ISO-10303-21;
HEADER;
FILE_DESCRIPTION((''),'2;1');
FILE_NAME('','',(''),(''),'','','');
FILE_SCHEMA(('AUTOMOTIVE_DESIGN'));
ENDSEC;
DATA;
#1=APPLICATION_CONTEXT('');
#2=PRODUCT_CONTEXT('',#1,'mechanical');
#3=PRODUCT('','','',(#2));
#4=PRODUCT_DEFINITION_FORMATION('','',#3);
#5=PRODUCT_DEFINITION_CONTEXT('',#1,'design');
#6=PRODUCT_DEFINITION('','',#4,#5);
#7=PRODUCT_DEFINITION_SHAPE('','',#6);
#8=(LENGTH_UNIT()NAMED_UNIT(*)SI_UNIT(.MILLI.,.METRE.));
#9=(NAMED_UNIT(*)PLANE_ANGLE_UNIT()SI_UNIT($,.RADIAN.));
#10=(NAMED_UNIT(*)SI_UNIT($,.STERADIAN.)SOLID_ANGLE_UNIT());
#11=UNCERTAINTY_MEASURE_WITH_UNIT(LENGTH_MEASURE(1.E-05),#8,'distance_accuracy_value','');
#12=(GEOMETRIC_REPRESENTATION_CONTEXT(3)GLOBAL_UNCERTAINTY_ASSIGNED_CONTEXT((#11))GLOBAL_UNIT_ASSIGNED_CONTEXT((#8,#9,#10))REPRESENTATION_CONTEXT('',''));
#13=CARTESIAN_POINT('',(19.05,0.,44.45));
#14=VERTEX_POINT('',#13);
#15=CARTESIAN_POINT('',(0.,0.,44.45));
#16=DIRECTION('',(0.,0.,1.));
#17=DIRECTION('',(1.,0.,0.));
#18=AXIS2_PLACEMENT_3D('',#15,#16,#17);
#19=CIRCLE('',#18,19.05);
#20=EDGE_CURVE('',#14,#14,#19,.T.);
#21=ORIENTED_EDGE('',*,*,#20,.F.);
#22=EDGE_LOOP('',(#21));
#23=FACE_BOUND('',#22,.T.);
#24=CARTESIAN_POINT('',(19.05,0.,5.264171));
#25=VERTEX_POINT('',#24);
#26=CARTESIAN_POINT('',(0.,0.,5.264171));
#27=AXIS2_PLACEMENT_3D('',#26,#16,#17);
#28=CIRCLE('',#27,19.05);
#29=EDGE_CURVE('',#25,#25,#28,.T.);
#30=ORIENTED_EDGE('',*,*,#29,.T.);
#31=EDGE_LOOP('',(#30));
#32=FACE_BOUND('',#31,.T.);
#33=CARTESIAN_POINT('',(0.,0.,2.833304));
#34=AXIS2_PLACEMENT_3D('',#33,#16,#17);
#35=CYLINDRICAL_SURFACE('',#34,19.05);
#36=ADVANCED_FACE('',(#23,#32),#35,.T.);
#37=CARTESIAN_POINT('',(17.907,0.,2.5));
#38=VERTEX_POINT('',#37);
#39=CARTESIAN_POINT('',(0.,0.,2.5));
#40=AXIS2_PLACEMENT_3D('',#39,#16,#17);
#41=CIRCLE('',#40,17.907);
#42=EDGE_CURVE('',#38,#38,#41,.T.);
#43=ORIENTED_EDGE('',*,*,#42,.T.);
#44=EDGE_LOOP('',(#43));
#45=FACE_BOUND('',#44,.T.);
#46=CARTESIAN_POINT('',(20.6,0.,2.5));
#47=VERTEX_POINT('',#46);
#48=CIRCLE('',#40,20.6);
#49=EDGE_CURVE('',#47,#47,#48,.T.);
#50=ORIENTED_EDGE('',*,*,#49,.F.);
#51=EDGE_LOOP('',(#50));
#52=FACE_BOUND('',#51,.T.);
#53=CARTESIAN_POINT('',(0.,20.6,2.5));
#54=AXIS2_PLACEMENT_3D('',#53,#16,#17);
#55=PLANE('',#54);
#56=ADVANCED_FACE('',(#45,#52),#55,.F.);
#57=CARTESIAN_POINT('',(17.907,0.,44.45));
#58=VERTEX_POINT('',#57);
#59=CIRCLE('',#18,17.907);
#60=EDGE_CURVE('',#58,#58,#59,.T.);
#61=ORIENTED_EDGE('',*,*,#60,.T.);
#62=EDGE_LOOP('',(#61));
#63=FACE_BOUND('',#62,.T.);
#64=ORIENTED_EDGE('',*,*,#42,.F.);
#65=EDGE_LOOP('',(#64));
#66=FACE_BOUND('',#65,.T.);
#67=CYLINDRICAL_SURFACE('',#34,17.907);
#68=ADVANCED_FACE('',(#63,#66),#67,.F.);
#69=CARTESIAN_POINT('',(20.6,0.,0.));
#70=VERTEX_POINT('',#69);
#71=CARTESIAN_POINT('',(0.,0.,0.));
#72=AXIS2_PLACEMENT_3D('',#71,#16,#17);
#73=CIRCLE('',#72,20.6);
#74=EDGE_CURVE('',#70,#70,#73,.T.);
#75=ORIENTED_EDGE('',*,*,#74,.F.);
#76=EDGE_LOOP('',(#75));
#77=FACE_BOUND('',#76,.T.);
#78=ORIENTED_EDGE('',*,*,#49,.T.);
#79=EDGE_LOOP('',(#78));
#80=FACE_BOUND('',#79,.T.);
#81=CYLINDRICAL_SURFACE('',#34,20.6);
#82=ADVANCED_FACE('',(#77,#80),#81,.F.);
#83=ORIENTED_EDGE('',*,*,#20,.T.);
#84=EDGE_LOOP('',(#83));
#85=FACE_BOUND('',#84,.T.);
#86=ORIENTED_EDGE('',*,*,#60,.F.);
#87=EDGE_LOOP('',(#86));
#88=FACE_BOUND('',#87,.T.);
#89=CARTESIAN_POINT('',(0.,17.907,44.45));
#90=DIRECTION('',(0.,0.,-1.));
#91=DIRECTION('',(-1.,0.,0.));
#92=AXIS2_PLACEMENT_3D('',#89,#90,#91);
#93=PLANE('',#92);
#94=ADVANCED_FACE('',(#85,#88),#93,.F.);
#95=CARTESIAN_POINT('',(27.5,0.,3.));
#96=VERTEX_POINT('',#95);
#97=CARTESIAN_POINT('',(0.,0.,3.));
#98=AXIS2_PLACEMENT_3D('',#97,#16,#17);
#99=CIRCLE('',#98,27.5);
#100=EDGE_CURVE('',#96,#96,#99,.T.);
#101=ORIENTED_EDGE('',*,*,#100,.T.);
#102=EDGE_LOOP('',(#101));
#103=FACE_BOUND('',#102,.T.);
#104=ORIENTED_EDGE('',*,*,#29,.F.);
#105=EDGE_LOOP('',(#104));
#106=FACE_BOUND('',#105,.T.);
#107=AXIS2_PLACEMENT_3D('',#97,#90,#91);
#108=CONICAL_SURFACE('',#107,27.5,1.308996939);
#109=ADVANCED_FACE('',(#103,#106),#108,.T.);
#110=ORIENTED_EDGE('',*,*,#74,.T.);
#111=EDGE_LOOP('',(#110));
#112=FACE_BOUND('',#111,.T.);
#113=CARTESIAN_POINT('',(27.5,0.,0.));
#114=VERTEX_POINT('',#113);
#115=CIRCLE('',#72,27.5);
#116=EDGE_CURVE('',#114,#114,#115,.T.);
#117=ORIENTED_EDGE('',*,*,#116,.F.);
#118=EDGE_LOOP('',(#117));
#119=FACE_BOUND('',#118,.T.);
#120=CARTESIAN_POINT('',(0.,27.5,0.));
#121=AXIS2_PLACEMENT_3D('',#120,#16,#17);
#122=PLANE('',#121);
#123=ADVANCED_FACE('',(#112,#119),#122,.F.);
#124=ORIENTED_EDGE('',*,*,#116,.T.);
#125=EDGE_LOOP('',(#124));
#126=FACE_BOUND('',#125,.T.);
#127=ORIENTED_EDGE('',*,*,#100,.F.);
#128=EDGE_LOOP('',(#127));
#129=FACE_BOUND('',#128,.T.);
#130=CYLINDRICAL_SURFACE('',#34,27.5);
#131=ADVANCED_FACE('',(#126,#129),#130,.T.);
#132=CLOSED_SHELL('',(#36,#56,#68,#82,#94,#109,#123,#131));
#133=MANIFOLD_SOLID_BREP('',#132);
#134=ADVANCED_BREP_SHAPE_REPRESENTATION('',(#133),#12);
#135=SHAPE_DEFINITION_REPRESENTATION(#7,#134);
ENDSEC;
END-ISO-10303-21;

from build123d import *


with BuildPart() as part:
    # Sketch1 → Revolve1 (revolve)
    with BuildSketch(Plane(origin=(0, 0, 0), x_dir=(0, 0, -1), z_dir=(1, 0, 0)), mode=Mode.PRIVATE) as revolve1_sk:
        Polygon((-3, 27.5), (0, 27.5), (0, 20.6), (-2.5, 20.6), (-2.5, 17.907), (-44.45, 17.907), (-44.45, 19.05), (-5.264170676, 19.05), align=None)
    revolve(revolve1_sk.sketch.rotate(Axis((0, 0, 2.83330445), (0, 0, -1)), 90), axis=Axis((0, 0, 2.83330445), (0, 0, -1)))


solid = part.part
